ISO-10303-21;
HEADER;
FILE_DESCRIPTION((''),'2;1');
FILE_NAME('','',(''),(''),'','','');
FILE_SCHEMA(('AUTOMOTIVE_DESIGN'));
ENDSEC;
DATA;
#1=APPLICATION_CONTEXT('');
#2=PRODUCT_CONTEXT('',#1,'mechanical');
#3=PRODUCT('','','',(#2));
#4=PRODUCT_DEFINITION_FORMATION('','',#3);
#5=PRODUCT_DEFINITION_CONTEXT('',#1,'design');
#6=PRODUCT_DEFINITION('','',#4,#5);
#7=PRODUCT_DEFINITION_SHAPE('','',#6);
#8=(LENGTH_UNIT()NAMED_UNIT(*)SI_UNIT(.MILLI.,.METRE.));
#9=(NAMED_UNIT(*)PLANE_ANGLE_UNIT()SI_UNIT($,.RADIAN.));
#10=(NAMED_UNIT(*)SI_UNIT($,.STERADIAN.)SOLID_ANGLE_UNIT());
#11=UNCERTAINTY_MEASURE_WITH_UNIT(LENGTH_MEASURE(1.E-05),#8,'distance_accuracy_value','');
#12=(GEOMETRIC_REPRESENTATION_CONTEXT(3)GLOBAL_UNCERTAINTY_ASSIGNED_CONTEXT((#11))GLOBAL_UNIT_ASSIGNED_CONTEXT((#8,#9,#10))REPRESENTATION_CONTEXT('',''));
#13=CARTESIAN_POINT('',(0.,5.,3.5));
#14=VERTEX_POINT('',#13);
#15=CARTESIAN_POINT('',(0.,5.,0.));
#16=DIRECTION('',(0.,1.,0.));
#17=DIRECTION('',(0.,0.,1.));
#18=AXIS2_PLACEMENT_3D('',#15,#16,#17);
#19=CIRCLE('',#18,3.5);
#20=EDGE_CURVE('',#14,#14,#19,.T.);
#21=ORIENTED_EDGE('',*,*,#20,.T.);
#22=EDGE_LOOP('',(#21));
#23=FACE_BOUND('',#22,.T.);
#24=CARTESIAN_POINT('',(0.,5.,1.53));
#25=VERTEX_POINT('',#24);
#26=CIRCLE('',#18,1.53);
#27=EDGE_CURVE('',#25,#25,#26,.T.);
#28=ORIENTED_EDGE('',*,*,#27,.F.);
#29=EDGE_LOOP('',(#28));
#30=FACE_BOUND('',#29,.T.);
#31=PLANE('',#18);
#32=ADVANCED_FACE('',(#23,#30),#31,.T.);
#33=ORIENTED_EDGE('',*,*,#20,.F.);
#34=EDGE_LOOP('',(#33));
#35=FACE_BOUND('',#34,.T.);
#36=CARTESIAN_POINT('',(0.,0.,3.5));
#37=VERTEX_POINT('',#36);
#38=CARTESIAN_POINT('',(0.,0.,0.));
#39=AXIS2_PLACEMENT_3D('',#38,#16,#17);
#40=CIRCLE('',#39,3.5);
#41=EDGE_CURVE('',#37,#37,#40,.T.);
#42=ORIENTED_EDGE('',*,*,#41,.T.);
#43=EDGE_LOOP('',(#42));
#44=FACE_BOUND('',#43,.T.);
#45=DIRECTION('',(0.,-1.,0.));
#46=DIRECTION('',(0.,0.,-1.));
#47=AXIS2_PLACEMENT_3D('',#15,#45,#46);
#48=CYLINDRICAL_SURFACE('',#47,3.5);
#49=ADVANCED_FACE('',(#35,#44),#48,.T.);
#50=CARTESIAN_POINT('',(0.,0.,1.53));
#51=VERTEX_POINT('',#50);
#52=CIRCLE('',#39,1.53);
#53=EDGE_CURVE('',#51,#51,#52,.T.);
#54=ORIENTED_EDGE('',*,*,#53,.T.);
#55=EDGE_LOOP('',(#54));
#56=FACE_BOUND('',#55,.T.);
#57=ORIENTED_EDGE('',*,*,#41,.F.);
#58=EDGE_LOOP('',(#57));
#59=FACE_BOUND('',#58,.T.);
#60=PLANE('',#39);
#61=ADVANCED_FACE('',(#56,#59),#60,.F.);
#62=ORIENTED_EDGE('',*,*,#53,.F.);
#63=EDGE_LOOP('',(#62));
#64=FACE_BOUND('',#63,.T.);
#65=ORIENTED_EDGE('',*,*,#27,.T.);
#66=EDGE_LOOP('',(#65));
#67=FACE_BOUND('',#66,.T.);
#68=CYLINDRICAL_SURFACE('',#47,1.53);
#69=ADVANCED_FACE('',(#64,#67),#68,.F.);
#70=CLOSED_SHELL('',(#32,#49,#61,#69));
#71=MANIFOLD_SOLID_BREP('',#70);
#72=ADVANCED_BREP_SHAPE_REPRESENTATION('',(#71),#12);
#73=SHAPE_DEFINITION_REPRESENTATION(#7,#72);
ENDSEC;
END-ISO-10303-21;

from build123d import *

# Parameters (mm, degrees)
CROQUIS1_R              = 3.5
CROQUIS1_R_2            = 1.53
SALIENTE_EXTRUIR1_DEPTH = 5


with BuildPart() as part:
    # Croquis1 → Saliente-Extruir1 (new body)
    with BuildSketch(Plane(origin=(0, 0, 0), x_dir=(1, 0, 0), z_dir=(0, 1, 0))):
        Circle(CROQUIS1_R)
        Circle(CROQUIS1_R_2, mode=Mode.SUBTRACT)
    extrude(amount=SALIENTE_EXTRUIR1_DEPTH)


solid = part.part
